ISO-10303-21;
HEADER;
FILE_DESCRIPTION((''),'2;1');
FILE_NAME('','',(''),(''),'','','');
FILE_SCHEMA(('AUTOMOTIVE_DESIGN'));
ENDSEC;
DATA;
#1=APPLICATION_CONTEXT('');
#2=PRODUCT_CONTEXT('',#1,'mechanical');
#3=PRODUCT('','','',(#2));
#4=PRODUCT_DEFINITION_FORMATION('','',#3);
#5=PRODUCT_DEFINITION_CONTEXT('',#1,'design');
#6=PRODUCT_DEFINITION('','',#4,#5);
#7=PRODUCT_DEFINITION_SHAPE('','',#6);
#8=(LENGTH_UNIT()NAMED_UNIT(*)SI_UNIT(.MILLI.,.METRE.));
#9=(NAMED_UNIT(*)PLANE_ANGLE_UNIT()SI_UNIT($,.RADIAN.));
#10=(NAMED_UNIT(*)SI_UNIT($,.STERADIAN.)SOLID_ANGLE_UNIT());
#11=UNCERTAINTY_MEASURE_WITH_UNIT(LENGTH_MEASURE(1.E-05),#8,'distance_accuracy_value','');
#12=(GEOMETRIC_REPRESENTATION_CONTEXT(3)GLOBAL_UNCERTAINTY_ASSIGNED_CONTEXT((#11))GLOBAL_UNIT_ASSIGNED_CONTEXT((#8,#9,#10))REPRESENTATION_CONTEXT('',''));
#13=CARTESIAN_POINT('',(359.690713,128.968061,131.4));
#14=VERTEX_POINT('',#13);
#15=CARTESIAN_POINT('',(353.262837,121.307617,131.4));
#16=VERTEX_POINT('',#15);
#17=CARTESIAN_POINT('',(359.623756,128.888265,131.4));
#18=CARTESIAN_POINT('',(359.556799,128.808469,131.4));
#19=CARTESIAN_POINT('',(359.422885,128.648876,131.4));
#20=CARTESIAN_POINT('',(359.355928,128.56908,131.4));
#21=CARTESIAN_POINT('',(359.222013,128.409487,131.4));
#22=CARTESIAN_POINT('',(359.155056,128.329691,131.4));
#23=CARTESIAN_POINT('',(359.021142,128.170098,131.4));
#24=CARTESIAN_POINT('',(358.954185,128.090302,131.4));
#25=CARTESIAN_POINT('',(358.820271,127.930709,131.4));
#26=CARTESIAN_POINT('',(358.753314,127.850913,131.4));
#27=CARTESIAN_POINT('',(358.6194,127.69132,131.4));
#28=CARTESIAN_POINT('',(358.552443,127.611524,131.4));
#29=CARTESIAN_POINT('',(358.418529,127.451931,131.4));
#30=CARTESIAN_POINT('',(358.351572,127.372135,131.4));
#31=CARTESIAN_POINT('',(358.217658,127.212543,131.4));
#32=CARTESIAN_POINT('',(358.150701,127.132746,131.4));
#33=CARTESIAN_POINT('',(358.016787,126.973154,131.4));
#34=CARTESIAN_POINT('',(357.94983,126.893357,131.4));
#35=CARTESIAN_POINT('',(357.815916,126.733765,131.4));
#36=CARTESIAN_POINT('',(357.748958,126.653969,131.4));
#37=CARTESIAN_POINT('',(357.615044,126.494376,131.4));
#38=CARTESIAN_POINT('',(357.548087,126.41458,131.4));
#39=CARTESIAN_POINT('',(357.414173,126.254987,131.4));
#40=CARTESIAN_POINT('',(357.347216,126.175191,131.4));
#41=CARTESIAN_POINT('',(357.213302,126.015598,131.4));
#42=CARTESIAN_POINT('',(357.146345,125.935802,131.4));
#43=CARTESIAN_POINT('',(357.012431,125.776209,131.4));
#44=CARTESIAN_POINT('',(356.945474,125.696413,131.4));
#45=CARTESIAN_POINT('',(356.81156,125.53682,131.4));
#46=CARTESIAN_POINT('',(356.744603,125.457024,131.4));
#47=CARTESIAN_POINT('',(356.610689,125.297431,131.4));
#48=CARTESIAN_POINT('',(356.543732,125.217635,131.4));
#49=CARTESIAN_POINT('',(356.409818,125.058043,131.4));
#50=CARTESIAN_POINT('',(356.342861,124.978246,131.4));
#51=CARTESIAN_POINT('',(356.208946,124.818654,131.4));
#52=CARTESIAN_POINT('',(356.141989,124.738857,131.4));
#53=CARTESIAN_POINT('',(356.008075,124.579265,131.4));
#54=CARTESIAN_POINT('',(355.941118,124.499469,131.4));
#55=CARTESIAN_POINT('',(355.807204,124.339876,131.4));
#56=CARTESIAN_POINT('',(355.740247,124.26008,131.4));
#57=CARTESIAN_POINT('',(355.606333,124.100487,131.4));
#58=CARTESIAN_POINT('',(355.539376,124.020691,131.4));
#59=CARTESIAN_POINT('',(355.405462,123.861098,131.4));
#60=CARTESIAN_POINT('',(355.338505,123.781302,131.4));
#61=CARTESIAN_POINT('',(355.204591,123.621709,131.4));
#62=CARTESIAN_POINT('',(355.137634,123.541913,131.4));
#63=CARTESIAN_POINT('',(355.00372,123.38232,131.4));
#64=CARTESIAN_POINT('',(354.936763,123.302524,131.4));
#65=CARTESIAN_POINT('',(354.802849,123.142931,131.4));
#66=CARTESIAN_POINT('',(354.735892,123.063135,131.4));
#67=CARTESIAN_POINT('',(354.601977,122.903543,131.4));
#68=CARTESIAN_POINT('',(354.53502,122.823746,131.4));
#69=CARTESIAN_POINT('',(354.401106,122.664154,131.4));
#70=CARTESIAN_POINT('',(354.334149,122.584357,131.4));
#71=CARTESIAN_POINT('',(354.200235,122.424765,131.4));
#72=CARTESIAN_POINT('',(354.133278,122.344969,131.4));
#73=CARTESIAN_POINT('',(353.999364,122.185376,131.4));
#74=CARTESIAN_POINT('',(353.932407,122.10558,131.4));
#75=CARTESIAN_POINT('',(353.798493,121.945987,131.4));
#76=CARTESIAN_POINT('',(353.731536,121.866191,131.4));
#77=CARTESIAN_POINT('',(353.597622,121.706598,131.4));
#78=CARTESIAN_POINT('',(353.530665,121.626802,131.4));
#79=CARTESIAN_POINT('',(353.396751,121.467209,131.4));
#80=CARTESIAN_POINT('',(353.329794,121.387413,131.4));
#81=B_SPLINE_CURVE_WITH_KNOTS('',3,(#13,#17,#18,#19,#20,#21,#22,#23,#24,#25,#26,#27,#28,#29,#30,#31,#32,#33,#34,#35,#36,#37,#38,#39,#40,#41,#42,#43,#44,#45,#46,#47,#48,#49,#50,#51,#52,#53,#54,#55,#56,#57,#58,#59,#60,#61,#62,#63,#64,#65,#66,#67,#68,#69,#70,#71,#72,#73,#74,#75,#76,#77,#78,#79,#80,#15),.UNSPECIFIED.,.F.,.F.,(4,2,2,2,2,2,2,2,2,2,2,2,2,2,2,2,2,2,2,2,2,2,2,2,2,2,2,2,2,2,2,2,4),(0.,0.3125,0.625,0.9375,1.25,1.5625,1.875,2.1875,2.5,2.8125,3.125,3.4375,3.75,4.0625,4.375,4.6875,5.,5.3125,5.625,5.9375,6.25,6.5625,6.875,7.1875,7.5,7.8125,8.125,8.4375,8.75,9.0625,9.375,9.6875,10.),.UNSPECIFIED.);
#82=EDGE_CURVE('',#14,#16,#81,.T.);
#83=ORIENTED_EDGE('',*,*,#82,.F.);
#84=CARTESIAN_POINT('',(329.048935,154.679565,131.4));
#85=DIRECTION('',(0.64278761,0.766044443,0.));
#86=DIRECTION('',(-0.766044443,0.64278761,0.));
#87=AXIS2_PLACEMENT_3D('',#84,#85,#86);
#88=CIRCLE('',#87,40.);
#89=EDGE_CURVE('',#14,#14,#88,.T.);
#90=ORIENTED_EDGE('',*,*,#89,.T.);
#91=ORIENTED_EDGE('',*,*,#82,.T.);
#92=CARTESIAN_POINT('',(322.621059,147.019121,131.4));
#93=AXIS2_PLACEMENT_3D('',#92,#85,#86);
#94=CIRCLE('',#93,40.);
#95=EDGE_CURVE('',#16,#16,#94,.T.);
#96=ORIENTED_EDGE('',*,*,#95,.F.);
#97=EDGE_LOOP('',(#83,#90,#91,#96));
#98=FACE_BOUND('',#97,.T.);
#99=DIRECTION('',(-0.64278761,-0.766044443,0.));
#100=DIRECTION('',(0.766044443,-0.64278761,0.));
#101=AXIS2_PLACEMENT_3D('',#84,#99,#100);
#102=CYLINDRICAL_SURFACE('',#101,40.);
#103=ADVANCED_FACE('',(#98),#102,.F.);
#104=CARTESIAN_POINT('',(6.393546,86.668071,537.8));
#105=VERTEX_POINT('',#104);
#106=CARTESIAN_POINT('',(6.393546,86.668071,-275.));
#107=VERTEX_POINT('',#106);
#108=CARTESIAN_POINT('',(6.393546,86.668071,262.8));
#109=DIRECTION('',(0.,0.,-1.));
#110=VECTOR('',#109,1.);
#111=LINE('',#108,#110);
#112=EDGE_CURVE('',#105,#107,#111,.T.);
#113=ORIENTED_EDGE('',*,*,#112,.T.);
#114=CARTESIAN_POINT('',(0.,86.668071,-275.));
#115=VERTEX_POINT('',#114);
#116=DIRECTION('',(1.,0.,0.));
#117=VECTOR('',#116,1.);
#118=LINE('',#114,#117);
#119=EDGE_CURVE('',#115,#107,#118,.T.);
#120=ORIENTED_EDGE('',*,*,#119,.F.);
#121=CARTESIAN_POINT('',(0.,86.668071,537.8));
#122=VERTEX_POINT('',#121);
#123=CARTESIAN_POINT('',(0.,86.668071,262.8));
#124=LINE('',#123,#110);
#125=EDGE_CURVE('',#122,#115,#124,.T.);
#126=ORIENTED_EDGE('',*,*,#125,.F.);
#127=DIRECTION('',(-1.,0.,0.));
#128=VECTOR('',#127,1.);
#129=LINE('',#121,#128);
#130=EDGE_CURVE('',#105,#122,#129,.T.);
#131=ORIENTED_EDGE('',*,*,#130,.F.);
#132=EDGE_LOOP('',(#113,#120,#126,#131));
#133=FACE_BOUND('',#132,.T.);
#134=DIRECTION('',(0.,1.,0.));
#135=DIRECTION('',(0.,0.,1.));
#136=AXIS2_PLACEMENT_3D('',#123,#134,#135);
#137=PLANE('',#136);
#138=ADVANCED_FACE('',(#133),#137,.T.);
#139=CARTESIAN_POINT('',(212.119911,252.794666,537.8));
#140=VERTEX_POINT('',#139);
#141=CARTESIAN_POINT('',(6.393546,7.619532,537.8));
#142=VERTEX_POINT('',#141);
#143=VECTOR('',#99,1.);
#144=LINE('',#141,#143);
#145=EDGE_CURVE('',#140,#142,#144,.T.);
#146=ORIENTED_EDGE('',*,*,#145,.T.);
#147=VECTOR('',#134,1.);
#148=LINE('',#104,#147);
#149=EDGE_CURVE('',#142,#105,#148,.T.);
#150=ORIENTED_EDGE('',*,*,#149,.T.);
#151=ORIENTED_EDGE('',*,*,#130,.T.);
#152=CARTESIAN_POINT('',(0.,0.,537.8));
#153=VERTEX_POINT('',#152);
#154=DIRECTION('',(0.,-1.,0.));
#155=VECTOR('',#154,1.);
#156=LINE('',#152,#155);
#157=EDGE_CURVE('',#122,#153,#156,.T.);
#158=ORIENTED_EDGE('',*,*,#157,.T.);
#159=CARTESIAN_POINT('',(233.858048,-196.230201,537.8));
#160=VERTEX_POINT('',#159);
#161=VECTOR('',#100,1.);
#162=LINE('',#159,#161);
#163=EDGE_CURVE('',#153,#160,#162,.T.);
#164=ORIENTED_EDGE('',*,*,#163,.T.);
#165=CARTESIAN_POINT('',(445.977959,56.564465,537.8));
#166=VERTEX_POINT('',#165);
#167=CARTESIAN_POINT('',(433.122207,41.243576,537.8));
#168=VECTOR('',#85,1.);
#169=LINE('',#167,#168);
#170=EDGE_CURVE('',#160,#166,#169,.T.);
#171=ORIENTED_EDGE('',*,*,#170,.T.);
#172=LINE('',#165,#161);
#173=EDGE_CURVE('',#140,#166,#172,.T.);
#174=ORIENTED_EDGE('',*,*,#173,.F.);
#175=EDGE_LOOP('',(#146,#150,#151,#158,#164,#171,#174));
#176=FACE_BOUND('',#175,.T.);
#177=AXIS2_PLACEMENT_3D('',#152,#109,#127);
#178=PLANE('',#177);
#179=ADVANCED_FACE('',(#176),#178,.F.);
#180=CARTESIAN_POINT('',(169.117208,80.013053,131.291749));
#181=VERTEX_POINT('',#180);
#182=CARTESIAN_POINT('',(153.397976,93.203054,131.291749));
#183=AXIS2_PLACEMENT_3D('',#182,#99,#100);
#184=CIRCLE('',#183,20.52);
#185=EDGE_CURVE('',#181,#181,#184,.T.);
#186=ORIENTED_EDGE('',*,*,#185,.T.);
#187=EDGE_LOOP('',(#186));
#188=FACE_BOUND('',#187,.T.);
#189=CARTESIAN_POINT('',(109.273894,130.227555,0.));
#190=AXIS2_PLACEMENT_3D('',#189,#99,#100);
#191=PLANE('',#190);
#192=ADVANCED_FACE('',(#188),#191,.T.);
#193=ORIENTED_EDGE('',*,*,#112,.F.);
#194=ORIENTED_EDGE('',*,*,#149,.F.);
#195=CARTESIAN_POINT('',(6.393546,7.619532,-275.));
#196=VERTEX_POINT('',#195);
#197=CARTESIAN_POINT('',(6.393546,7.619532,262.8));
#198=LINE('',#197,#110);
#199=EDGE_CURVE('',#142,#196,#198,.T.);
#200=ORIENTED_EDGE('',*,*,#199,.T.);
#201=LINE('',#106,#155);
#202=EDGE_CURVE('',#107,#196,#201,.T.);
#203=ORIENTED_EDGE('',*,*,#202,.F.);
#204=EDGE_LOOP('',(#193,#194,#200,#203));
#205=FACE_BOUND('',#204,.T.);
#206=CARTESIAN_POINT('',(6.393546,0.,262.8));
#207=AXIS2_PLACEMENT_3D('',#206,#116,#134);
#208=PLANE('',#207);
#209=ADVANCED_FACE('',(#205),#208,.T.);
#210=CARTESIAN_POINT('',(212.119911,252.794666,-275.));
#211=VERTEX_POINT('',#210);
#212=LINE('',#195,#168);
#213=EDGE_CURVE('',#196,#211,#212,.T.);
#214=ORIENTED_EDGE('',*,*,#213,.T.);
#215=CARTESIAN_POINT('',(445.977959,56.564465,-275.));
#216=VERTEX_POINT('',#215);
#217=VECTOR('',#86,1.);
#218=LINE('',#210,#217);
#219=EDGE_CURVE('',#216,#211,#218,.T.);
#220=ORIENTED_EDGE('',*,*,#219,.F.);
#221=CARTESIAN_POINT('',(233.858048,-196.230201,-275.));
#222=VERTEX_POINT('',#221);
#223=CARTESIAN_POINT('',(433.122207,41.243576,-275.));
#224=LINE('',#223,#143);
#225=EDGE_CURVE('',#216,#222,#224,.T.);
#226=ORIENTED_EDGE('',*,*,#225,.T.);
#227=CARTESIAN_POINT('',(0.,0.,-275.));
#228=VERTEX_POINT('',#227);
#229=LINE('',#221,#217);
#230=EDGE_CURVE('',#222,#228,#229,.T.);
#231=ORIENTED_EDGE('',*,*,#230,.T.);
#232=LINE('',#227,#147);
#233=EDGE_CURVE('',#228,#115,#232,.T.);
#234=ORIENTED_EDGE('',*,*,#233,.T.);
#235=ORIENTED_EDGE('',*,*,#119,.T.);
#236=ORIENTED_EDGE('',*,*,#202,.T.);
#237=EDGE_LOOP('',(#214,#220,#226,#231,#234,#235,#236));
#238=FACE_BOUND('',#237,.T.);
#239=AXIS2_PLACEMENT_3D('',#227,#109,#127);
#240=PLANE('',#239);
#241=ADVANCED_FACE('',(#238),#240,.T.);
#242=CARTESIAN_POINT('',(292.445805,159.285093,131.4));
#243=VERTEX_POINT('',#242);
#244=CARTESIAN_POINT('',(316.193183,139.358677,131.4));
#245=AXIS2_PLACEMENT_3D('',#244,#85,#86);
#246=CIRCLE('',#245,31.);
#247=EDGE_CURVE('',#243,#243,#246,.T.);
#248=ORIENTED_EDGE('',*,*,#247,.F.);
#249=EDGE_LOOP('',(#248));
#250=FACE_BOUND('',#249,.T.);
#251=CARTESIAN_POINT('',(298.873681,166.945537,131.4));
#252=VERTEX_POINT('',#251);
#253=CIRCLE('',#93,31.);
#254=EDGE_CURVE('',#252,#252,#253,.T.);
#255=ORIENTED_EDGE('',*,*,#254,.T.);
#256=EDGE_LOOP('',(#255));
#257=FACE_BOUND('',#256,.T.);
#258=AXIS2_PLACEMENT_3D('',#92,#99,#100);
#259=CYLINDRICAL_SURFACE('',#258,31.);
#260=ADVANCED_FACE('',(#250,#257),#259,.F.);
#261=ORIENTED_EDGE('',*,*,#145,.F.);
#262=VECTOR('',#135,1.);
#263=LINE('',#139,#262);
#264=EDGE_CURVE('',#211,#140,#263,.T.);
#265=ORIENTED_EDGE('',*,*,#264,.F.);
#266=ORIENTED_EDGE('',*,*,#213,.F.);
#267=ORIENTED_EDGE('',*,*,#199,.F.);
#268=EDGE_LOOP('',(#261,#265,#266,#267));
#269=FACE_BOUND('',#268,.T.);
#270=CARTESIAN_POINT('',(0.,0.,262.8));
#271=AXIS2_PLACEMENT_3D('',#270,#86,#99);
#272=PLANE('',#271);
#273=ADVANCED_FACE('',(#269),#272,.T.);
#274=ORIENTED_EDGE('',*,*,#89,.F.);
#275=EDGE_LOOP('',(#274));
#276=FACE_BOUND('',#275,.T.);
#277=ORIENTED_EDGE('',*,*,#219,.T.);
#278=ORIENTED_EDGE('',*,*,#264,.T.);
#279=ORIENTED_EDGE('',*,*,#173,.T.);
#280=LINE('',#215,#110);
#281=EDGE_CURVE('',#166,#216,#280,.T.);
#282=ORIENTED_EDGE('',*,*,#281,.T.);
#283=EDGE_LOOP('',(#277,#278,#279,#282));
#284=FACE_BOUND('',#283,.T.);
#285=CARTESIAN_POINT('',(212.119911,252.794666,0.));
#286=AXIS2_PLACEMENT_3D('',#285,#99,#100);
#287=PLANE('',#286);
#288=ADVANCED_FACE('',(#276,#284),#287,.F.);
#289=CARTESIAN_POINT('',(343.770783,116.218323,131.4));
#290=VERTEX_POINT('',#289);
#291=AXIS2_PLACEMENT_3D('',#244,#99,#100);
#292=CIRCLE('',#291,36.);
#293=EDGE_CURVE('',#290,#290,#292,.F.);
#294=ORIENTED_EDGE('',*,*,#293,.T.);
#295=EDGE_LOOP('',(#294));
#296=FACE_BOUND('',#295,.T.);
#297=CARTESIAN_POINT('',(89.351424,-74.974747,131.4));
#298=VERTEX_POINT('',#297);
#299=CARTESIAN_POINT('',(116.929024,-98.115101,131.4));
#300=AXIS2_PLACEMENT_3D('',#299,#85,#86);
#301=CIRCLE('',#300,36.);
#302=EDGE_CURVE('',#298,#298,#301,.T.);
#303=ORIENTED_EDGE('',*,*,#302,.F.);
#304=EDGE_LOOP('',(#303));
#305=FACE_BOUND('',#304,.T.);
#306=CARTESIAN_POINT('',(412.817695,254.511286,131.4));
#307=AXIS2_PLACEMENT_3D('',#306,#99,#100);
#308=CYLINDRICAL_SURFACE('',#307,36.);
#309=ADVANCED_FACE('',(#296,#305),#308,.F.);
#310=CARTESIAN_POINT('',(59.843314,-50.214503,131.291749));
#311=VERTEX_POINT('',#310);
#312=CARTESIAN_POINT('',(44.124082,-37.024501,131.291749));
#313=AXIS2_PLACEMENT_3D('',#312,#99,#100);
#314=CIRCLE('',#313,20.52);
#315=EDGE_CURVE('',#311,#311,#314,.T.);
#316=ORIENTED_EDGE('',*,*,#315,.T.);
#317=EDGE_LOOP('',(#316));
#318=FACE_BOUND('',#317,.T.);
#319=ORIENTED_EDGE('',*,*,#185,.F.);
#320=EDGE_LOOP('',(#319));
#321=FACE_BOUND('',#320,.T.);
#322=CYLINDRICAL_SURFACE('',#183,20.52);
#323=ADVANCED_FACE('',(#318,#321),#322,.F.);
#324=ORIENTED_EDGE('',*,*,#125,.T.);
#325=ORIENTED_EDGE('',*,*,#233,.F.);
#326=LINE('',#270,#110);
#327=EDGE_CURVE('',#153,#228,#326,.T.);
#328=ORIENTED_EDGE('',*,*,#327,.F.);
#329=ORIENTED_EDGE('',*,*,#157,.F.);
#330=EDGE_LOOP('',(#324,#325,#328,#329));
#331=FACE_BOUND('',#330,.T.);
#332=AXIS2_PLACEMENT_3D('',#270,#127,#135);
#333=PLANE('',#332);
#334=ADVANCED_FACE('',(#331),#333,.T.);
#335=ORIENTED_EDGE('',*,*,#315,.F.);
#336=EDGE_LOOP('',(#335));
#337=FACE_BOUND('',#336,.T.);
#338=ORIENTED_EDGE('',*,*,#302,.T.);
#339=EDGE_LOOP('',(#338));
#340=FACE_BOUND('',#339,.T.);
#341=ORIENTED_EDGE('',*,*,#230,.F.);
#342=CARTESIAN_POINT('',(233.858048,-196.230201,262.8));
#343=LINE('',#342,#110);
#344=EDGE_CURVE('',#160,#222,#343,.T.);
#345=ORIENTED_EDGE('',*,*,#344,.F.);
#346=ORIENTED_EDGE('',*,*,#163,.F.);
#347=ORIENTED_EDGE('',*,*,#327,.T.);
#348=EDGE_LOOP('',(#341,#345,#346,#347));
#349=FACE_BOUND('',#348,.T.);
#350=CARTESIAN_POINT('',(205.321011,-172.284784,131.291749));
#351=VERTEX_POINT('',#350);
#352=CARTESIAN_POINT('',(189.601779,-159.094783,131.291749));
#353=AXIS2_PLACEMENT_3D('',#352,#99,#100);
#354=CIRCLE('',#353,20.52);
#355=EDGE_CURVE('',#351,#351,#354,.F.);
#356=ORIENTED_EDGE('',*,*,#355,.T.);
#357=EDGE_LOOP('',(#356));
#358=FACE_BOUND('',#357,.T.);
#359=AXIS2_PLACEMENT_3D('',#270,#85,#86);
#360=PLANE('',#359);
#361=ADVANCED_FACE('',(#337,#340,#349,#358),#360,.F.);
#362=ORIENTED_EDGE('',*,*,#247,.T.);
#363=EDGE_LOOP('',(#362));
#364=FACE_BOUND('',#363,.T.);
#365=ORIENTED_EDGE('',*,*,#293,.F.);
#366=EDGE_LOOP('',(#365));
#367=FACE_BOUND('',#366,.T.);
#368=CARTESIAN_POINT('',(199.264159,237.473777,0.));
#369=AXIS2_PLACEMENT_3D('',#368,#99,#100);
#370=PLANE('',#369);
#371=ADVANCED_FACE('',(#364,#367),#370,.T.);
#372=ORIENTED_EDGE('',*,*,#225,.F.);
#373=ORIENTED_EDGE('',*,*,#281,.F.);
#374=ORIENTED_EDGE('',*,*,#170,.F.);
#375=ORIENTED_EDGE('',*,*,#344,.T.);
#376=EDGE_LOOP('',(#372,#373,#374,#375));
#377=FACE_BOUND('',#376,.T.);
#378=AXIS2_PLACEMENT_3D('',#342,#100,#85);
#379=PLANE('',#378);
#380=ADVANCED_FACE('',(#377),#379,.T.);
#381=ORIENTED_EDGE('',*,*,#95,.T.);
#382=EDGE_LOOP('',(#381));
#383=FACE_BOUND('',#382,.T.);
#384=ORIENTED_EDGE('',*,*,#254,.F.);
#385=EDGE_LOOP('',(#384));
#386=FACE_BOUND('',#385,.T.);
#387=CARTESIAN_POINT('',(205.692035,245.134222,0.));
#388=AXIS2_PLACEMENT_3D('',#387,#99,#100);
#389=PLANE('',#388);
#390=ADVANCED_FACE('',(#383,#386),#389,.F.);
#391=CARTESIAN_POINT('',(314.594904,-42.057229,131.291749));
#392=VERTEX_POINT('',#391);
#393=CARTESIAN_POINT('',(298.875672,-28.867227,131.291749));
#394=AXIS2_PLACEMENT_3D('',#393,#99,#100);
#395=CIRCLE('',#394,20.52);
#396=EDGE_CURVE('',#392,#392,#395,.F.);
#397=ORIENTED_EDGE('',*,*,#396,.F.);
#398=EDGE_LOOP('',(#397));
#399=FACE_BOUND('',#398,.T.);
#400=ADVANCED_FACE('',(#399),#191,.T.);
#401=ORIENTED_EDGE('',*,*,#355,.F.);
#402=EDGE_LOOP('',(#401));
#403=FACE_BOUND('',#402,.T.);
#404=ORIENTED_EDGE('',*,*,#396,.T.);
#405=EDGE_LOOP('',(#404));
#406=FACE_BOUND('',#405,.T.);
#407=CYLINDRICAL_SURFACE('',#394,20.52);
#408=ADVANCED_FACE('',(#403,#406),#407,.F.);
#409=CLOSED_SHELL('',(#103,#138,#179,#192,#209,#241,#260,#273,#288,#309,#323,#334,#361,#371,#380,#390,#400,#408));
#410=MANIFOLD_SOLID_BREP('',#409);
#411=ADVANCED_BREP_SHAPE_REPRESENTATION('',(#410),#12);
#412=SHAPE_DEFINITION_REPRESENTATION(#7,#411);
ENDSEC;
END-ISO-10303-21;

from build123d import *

# Parameters (mm, degrees)
BOSS_EXTRUDE1_DEPTH     = 262.8
CUT_EXTRUDE3_DEPTH      = 560.510929996
CUT_EXTRUDE3_DEPTH_BACK = 560.510929996
SKETCH6_R               = 36
BOSS_EXTRUDE4_DEPTH     = 275
BOSS_EXTRUDE5_DEPTH     = 275
SKETCH11_W              = 305.28
SKETCH11_H              = 812.8
SKETCH11_R              = 31
BOSS_EXTRUDE6_DEPTH     = 10
SKETCH12_W              = 305.28
SKETCH12_H              = 812.8
SKETCH12_R              = 40
BOSS_EXTRUDE7_DEPTH     = 10
SKETCH13_R              = 20.52
CUT_EXTRUDE4_DEPTH      = 170


with BuildPart() as part:
    # Sketch1 → Boss-Extrude1 (new body)
    with BuildSketch(Plane.XY):
        Polygon((0, 0), (0, 86.668071476), (6.393546256, 86.668071476), (6.393546256, 7.619531721), (199.264159003, 237.473777367), (433.122206598, 41.243575882), (233.858047595, -196.230201485), align=None)
    extrude(amount=BOSS_EXTRUDE1_DEPTH)

    # Sketch6 → Cut-Extrude3 (cut, two sides: drawn at the far end of the back side and taken through both)
    with BuildSketch(Plane(origin=(0, 0, 0), x_dir=(-0.7660444431189771, 0.6427876096865406, 0), z_dir=(-0.6427876096865405, -0.766044443118977, 0)).offset(-CUT_EXTRUDE3_DEPTH_BACK)):
        with Locations((-152.64, -131.4)):
            Circle(SKETCH6_R)
    extrude(amount=CUT_EXTRUDE3_DEPTH + CUT_EXTRUDE3_DEPTH_BACK, mode=Mode.SUBTRACT)

    # Sketch7 → Boss-Extrude4 (add)
    with BuildSketch(Plane.XY.offset(262.8)):
        Polygon((233.858047595, -196.230201485), (0, 0), (0, 86.668071476), (6.393546256, 86.668071476), (6.393546256, 7.619531721), (199.264159003, 237.473777367), (433.122206598, 41.243575882), align=None)
    extrude(amount=BOSS_EXTRUDE4_DEPTH)

    # Sketch8 → Boss-Extrude5 (add)
    with BuildSketch(Plane(origin=(0, 0, 0), x_dir=(-1, 0, 0), z_dir=(0, 0, -1))):
        Polygon((0, 0), (0, 86.668071476), (-6.393546256, 86.668071476), (-6.393546256, 7.619531721), (-199.264159003, 237.473777367), (-433.122206598, 41.243575882), (-233.858047595, -196.230201485), align=None)
    extrude(amount=BOSS_EXTRUDE5_DEPTH)

    # Sketch11 → Boss-Extrude6 (add)
    with BuildSketch(Plane(origin=(199.264159003, 237.473777367, 0), x_dir=(0.7660444431189771, -0.6427876096865404, 0), z_dir=(0.6427876096865404, 0.7660444431189771, 0))):
        with Locations((152.64, -131.4)):
            Rectangle(SKETCH11_W, SKETCH11_H)
        with Locations(Location((152.64, -131.4, 0), (0, 0, 180))):
            Circle(SKETCH11_R, mode=Mode.SUBTRACT)
    extrude(amount=BOSS_EXTRUDE6_DEPTH)

    # Sketch12 → Boss-Extrude7 (add)
    with BuildSketch(Plane(origin=(205.6920351, 245.134221798, 0), x_dir=(0.7660444431189771, -0.6427876096865406, 0), z_dir=(0.6427876096865405, 0.766044443118977, 0))):
        with Locations((152.64, -131.4)):
            Rectangle(SKETCH12_W, SKETCH12_H)
        with Locations((152.64, -131.4)):
            Circle(SKETCH12_R, mode=Mode.SUBTRACT)
    extrude(amount=BOSS_EXTRUDE7_DEPTH)

    # Sketch13 → Cut-Extrude4 (cut)
    with BuildSketch(Plane(origin=(0, 0, 0), x_dir=(-0.7660444431189771, 0.6427876096865406, 0), z_dir=(-0.6427876096865405, -0.766044443118977, 0))):
        with Locations(Location((-57.599898279, -131.291749379, 0), (0, 0, 180))):
            Circle(SKETCH13_R)
        with Locations(Location((-247.507544032, -131.291749379, 0), (0, 0, 180))):
            Circle(SKETCH13_R)
    extrude(amount=-CUT_EXTRUDE4_DEPTH, mode=Mode.SUBTRACT)


solid = part.part
